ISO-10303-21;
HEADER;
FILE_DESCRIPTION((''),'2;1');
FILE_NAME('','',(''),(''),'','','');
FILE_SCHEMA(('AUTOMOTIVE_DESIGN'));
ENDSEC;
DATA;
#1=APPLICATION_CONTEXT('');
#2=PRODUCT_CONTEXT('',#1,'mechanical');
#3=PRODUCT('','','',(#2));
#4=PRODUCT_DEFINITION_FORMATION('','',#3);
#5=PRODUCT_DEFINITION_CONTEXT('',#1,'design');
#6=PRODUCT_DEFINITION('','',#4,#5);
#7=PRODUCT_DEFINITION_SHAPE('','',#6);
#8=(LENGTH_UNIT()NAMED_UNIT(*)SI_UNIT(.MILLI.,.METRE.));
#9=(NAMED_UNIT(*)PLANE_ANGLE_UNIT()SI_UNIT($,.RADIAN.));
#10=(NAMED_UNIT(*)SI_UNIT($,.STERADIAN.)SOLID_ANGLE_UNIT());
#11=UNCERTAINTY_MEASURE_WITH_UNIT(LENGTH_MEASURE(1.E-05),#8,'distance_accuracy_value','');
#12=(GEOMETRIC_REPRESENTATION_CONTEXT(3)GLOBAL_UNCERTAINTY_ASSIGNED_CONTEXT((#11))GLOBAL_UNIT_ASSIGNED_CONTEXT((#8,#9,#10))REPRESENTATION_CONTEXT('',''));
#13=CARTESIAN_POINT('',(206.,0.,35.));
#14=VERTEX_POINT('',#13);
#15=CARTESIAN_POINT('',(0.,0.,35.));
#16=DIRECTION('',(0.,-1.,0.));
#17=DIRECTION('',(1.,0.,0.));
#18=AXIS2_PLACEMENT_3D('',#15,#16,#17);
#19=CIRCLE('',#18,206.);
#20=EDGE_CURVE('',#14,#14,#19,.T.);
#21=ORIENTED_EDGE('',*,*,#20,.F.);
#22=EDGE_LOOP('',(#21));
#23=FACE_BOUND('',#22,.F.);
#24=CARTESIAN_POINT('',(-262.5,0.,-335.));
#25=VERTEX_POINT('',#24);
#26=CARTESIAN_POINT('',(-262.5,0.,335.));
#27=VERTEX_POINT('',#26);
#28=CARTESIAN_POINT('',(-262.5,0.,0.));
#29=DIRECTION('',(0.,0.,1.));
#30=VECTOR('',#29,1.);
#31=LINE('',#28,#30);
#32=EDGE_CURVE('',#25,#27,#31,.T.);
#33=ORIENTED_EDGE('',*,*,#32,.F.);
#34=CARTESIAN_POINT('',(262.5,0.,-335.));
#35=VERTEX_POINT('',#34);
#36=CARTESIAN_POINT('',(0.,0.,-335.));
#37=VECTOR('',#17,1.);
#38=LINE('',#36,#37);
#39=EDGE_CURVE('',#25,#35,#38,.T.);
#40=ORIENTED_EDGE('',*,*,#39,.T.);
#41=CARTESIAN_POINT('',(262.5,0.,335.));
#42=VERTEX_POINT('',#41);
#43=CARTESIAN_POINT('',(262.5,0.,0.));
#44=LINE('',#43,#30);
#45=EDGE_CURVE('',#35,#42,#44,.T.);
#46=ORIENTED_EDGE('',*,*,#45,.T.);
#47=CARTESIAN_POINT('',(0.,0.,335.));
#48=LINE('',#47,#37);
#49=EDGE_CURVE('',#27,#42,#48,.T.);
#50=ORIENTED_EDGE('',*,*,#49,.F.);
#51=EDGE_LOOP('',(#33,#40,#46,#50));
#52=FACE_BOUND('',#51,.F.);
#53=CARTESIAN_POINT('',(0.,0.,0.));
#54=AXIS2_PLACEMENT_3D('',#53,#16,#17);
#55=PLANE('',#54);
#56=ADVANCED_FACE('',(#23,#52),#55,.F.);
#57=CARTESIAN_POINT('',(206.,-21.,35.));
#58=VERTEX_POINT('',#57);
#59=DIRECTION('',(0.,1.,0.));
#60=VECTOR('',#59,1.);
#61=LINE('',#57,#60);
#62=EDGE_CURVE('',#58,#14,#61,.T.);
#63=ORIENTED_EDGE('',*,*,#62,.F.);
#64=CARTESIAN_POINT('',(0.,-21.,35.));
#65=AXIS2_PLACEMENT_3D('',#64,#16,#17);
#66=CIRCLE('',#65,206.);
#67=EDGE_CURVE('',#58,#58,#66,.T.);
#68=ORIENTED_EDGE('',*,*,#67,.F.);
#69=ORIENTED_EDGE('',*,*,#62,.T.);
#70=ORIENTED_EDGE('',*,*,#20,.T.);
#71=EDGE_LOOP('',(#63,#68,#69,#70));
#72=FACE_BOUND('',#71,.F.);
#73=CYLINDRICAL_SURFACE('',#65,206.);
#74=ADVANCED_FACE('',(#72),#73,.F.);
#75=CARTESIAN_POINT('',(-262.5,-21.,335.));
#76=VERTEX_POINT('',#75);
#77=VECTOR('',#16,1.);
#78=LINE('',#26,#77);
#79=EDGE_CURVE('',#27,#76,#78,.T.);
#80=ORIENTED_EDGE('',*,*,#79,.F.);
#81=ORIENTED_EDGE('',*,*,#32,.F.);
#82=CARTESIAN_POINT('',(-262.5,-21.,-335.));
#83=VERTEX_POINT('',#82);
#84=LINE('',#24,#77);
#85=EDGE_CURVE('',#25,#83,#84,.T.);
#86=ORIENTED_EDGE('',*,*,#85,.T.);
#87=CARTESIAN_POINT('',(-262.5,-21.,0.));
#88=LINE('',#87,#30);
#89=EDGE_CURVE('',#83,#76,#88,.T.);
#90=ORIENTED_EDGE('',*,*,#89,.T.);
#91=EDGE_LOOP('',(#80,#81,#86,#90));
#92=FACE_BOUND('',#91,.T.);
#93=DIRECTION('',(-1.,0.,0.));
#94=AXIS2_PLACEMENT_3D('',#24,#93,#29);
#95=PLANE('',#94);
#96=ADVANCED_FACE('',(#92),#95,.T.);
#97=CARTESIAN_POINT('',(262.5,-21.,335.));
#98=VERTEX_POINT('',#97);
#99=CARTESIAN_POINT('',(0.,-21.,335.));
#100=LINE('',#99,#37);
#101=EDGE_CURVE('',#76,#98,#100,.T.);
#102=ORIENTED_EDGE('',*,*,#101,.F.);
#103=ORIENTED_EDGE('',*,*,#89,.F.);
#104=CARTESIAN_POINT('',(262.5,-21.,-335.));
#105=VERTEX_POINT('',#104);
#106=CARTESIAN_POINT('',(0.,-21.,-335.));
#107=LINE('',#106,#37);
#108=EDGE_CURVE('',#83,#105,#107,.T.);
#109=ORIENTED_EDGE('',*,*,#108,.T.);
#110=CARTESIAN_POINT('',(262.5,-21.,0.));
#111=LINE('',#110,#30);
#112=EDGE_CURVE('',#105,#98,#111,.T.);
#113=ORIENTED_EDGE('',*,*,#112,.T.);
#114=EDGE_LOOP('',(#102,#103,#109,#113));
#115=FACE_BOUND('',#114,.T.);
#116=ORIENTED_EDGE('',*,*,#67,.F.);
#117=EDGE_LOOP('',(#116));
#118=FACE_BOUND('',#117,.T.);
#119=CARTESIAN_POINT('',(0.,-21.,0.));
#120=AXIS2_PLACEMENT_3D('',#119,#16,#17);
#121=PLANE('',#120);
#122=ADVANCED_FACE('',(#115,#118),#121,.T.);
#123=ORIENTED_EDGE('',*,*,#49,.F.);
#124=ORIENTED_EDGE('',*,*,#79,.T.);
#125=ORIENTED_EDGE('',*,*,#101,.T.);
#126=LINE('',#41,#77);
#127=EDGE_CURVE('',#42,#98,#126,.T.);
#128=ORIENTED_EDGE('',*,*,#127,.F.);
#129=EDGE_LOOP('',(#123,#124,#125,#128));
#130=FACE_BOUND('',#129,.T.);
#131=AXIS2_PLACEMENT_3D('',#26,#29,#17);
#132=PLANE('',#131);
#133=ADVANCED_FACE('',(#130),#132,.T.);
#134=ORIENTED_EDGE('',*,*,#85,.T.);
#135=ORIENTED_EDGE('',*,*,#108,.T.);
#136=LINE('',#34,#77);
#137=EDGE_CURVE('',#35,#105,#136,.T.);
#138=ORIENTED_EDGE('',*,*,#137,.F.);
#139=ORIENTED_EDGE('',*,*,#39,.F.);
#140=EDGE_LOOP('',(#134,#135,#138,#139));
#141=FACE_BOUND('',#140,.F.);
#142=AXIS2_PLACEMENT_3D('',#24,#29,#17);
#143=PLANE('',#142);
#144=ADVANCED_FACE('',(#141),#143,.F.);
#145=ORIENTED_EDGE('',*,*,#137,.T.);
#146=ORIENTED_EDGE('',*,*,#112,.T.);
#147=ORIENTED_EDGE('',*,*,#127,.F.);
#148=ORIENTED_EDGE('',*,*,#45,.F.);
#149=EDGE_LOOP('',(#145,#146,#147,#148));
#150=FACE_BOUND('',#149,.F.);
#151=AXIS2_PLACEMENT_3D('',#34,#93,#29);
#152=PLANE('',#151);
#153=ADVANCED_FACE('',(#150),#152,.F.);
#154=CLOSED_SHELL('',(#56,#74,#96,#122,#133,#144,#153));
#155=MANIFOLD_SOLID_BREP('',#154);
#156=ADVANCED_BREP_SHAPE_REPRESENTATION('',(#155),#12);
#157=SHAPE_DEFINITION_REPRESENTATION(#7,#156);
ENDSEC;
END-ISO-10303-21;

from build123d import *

# Parameters (mm, degrees)
F0_W     = 525
F0_H     = 670
F1_DEPTH = 21
F2_R     = 206
F3_DEPTH = 25


with BuildPart() as f1:
    # F0 (on Front) → F1 (new body)
    with BuildSketch(Plane.XZ):
        Rectangle(F0_W, F0_H)
    extrude(amount=F1_DEPTH)

    # F2 (on face) → F3 (cut)
    with BuildSketch(Plane.XZ.offset(21)):
        with Locations((0, 35)):
            Circle(F2_R)
    extrude(amount=-F3_DEPTH, mode=Mode.SUBTRACT)


solid = f1.part
